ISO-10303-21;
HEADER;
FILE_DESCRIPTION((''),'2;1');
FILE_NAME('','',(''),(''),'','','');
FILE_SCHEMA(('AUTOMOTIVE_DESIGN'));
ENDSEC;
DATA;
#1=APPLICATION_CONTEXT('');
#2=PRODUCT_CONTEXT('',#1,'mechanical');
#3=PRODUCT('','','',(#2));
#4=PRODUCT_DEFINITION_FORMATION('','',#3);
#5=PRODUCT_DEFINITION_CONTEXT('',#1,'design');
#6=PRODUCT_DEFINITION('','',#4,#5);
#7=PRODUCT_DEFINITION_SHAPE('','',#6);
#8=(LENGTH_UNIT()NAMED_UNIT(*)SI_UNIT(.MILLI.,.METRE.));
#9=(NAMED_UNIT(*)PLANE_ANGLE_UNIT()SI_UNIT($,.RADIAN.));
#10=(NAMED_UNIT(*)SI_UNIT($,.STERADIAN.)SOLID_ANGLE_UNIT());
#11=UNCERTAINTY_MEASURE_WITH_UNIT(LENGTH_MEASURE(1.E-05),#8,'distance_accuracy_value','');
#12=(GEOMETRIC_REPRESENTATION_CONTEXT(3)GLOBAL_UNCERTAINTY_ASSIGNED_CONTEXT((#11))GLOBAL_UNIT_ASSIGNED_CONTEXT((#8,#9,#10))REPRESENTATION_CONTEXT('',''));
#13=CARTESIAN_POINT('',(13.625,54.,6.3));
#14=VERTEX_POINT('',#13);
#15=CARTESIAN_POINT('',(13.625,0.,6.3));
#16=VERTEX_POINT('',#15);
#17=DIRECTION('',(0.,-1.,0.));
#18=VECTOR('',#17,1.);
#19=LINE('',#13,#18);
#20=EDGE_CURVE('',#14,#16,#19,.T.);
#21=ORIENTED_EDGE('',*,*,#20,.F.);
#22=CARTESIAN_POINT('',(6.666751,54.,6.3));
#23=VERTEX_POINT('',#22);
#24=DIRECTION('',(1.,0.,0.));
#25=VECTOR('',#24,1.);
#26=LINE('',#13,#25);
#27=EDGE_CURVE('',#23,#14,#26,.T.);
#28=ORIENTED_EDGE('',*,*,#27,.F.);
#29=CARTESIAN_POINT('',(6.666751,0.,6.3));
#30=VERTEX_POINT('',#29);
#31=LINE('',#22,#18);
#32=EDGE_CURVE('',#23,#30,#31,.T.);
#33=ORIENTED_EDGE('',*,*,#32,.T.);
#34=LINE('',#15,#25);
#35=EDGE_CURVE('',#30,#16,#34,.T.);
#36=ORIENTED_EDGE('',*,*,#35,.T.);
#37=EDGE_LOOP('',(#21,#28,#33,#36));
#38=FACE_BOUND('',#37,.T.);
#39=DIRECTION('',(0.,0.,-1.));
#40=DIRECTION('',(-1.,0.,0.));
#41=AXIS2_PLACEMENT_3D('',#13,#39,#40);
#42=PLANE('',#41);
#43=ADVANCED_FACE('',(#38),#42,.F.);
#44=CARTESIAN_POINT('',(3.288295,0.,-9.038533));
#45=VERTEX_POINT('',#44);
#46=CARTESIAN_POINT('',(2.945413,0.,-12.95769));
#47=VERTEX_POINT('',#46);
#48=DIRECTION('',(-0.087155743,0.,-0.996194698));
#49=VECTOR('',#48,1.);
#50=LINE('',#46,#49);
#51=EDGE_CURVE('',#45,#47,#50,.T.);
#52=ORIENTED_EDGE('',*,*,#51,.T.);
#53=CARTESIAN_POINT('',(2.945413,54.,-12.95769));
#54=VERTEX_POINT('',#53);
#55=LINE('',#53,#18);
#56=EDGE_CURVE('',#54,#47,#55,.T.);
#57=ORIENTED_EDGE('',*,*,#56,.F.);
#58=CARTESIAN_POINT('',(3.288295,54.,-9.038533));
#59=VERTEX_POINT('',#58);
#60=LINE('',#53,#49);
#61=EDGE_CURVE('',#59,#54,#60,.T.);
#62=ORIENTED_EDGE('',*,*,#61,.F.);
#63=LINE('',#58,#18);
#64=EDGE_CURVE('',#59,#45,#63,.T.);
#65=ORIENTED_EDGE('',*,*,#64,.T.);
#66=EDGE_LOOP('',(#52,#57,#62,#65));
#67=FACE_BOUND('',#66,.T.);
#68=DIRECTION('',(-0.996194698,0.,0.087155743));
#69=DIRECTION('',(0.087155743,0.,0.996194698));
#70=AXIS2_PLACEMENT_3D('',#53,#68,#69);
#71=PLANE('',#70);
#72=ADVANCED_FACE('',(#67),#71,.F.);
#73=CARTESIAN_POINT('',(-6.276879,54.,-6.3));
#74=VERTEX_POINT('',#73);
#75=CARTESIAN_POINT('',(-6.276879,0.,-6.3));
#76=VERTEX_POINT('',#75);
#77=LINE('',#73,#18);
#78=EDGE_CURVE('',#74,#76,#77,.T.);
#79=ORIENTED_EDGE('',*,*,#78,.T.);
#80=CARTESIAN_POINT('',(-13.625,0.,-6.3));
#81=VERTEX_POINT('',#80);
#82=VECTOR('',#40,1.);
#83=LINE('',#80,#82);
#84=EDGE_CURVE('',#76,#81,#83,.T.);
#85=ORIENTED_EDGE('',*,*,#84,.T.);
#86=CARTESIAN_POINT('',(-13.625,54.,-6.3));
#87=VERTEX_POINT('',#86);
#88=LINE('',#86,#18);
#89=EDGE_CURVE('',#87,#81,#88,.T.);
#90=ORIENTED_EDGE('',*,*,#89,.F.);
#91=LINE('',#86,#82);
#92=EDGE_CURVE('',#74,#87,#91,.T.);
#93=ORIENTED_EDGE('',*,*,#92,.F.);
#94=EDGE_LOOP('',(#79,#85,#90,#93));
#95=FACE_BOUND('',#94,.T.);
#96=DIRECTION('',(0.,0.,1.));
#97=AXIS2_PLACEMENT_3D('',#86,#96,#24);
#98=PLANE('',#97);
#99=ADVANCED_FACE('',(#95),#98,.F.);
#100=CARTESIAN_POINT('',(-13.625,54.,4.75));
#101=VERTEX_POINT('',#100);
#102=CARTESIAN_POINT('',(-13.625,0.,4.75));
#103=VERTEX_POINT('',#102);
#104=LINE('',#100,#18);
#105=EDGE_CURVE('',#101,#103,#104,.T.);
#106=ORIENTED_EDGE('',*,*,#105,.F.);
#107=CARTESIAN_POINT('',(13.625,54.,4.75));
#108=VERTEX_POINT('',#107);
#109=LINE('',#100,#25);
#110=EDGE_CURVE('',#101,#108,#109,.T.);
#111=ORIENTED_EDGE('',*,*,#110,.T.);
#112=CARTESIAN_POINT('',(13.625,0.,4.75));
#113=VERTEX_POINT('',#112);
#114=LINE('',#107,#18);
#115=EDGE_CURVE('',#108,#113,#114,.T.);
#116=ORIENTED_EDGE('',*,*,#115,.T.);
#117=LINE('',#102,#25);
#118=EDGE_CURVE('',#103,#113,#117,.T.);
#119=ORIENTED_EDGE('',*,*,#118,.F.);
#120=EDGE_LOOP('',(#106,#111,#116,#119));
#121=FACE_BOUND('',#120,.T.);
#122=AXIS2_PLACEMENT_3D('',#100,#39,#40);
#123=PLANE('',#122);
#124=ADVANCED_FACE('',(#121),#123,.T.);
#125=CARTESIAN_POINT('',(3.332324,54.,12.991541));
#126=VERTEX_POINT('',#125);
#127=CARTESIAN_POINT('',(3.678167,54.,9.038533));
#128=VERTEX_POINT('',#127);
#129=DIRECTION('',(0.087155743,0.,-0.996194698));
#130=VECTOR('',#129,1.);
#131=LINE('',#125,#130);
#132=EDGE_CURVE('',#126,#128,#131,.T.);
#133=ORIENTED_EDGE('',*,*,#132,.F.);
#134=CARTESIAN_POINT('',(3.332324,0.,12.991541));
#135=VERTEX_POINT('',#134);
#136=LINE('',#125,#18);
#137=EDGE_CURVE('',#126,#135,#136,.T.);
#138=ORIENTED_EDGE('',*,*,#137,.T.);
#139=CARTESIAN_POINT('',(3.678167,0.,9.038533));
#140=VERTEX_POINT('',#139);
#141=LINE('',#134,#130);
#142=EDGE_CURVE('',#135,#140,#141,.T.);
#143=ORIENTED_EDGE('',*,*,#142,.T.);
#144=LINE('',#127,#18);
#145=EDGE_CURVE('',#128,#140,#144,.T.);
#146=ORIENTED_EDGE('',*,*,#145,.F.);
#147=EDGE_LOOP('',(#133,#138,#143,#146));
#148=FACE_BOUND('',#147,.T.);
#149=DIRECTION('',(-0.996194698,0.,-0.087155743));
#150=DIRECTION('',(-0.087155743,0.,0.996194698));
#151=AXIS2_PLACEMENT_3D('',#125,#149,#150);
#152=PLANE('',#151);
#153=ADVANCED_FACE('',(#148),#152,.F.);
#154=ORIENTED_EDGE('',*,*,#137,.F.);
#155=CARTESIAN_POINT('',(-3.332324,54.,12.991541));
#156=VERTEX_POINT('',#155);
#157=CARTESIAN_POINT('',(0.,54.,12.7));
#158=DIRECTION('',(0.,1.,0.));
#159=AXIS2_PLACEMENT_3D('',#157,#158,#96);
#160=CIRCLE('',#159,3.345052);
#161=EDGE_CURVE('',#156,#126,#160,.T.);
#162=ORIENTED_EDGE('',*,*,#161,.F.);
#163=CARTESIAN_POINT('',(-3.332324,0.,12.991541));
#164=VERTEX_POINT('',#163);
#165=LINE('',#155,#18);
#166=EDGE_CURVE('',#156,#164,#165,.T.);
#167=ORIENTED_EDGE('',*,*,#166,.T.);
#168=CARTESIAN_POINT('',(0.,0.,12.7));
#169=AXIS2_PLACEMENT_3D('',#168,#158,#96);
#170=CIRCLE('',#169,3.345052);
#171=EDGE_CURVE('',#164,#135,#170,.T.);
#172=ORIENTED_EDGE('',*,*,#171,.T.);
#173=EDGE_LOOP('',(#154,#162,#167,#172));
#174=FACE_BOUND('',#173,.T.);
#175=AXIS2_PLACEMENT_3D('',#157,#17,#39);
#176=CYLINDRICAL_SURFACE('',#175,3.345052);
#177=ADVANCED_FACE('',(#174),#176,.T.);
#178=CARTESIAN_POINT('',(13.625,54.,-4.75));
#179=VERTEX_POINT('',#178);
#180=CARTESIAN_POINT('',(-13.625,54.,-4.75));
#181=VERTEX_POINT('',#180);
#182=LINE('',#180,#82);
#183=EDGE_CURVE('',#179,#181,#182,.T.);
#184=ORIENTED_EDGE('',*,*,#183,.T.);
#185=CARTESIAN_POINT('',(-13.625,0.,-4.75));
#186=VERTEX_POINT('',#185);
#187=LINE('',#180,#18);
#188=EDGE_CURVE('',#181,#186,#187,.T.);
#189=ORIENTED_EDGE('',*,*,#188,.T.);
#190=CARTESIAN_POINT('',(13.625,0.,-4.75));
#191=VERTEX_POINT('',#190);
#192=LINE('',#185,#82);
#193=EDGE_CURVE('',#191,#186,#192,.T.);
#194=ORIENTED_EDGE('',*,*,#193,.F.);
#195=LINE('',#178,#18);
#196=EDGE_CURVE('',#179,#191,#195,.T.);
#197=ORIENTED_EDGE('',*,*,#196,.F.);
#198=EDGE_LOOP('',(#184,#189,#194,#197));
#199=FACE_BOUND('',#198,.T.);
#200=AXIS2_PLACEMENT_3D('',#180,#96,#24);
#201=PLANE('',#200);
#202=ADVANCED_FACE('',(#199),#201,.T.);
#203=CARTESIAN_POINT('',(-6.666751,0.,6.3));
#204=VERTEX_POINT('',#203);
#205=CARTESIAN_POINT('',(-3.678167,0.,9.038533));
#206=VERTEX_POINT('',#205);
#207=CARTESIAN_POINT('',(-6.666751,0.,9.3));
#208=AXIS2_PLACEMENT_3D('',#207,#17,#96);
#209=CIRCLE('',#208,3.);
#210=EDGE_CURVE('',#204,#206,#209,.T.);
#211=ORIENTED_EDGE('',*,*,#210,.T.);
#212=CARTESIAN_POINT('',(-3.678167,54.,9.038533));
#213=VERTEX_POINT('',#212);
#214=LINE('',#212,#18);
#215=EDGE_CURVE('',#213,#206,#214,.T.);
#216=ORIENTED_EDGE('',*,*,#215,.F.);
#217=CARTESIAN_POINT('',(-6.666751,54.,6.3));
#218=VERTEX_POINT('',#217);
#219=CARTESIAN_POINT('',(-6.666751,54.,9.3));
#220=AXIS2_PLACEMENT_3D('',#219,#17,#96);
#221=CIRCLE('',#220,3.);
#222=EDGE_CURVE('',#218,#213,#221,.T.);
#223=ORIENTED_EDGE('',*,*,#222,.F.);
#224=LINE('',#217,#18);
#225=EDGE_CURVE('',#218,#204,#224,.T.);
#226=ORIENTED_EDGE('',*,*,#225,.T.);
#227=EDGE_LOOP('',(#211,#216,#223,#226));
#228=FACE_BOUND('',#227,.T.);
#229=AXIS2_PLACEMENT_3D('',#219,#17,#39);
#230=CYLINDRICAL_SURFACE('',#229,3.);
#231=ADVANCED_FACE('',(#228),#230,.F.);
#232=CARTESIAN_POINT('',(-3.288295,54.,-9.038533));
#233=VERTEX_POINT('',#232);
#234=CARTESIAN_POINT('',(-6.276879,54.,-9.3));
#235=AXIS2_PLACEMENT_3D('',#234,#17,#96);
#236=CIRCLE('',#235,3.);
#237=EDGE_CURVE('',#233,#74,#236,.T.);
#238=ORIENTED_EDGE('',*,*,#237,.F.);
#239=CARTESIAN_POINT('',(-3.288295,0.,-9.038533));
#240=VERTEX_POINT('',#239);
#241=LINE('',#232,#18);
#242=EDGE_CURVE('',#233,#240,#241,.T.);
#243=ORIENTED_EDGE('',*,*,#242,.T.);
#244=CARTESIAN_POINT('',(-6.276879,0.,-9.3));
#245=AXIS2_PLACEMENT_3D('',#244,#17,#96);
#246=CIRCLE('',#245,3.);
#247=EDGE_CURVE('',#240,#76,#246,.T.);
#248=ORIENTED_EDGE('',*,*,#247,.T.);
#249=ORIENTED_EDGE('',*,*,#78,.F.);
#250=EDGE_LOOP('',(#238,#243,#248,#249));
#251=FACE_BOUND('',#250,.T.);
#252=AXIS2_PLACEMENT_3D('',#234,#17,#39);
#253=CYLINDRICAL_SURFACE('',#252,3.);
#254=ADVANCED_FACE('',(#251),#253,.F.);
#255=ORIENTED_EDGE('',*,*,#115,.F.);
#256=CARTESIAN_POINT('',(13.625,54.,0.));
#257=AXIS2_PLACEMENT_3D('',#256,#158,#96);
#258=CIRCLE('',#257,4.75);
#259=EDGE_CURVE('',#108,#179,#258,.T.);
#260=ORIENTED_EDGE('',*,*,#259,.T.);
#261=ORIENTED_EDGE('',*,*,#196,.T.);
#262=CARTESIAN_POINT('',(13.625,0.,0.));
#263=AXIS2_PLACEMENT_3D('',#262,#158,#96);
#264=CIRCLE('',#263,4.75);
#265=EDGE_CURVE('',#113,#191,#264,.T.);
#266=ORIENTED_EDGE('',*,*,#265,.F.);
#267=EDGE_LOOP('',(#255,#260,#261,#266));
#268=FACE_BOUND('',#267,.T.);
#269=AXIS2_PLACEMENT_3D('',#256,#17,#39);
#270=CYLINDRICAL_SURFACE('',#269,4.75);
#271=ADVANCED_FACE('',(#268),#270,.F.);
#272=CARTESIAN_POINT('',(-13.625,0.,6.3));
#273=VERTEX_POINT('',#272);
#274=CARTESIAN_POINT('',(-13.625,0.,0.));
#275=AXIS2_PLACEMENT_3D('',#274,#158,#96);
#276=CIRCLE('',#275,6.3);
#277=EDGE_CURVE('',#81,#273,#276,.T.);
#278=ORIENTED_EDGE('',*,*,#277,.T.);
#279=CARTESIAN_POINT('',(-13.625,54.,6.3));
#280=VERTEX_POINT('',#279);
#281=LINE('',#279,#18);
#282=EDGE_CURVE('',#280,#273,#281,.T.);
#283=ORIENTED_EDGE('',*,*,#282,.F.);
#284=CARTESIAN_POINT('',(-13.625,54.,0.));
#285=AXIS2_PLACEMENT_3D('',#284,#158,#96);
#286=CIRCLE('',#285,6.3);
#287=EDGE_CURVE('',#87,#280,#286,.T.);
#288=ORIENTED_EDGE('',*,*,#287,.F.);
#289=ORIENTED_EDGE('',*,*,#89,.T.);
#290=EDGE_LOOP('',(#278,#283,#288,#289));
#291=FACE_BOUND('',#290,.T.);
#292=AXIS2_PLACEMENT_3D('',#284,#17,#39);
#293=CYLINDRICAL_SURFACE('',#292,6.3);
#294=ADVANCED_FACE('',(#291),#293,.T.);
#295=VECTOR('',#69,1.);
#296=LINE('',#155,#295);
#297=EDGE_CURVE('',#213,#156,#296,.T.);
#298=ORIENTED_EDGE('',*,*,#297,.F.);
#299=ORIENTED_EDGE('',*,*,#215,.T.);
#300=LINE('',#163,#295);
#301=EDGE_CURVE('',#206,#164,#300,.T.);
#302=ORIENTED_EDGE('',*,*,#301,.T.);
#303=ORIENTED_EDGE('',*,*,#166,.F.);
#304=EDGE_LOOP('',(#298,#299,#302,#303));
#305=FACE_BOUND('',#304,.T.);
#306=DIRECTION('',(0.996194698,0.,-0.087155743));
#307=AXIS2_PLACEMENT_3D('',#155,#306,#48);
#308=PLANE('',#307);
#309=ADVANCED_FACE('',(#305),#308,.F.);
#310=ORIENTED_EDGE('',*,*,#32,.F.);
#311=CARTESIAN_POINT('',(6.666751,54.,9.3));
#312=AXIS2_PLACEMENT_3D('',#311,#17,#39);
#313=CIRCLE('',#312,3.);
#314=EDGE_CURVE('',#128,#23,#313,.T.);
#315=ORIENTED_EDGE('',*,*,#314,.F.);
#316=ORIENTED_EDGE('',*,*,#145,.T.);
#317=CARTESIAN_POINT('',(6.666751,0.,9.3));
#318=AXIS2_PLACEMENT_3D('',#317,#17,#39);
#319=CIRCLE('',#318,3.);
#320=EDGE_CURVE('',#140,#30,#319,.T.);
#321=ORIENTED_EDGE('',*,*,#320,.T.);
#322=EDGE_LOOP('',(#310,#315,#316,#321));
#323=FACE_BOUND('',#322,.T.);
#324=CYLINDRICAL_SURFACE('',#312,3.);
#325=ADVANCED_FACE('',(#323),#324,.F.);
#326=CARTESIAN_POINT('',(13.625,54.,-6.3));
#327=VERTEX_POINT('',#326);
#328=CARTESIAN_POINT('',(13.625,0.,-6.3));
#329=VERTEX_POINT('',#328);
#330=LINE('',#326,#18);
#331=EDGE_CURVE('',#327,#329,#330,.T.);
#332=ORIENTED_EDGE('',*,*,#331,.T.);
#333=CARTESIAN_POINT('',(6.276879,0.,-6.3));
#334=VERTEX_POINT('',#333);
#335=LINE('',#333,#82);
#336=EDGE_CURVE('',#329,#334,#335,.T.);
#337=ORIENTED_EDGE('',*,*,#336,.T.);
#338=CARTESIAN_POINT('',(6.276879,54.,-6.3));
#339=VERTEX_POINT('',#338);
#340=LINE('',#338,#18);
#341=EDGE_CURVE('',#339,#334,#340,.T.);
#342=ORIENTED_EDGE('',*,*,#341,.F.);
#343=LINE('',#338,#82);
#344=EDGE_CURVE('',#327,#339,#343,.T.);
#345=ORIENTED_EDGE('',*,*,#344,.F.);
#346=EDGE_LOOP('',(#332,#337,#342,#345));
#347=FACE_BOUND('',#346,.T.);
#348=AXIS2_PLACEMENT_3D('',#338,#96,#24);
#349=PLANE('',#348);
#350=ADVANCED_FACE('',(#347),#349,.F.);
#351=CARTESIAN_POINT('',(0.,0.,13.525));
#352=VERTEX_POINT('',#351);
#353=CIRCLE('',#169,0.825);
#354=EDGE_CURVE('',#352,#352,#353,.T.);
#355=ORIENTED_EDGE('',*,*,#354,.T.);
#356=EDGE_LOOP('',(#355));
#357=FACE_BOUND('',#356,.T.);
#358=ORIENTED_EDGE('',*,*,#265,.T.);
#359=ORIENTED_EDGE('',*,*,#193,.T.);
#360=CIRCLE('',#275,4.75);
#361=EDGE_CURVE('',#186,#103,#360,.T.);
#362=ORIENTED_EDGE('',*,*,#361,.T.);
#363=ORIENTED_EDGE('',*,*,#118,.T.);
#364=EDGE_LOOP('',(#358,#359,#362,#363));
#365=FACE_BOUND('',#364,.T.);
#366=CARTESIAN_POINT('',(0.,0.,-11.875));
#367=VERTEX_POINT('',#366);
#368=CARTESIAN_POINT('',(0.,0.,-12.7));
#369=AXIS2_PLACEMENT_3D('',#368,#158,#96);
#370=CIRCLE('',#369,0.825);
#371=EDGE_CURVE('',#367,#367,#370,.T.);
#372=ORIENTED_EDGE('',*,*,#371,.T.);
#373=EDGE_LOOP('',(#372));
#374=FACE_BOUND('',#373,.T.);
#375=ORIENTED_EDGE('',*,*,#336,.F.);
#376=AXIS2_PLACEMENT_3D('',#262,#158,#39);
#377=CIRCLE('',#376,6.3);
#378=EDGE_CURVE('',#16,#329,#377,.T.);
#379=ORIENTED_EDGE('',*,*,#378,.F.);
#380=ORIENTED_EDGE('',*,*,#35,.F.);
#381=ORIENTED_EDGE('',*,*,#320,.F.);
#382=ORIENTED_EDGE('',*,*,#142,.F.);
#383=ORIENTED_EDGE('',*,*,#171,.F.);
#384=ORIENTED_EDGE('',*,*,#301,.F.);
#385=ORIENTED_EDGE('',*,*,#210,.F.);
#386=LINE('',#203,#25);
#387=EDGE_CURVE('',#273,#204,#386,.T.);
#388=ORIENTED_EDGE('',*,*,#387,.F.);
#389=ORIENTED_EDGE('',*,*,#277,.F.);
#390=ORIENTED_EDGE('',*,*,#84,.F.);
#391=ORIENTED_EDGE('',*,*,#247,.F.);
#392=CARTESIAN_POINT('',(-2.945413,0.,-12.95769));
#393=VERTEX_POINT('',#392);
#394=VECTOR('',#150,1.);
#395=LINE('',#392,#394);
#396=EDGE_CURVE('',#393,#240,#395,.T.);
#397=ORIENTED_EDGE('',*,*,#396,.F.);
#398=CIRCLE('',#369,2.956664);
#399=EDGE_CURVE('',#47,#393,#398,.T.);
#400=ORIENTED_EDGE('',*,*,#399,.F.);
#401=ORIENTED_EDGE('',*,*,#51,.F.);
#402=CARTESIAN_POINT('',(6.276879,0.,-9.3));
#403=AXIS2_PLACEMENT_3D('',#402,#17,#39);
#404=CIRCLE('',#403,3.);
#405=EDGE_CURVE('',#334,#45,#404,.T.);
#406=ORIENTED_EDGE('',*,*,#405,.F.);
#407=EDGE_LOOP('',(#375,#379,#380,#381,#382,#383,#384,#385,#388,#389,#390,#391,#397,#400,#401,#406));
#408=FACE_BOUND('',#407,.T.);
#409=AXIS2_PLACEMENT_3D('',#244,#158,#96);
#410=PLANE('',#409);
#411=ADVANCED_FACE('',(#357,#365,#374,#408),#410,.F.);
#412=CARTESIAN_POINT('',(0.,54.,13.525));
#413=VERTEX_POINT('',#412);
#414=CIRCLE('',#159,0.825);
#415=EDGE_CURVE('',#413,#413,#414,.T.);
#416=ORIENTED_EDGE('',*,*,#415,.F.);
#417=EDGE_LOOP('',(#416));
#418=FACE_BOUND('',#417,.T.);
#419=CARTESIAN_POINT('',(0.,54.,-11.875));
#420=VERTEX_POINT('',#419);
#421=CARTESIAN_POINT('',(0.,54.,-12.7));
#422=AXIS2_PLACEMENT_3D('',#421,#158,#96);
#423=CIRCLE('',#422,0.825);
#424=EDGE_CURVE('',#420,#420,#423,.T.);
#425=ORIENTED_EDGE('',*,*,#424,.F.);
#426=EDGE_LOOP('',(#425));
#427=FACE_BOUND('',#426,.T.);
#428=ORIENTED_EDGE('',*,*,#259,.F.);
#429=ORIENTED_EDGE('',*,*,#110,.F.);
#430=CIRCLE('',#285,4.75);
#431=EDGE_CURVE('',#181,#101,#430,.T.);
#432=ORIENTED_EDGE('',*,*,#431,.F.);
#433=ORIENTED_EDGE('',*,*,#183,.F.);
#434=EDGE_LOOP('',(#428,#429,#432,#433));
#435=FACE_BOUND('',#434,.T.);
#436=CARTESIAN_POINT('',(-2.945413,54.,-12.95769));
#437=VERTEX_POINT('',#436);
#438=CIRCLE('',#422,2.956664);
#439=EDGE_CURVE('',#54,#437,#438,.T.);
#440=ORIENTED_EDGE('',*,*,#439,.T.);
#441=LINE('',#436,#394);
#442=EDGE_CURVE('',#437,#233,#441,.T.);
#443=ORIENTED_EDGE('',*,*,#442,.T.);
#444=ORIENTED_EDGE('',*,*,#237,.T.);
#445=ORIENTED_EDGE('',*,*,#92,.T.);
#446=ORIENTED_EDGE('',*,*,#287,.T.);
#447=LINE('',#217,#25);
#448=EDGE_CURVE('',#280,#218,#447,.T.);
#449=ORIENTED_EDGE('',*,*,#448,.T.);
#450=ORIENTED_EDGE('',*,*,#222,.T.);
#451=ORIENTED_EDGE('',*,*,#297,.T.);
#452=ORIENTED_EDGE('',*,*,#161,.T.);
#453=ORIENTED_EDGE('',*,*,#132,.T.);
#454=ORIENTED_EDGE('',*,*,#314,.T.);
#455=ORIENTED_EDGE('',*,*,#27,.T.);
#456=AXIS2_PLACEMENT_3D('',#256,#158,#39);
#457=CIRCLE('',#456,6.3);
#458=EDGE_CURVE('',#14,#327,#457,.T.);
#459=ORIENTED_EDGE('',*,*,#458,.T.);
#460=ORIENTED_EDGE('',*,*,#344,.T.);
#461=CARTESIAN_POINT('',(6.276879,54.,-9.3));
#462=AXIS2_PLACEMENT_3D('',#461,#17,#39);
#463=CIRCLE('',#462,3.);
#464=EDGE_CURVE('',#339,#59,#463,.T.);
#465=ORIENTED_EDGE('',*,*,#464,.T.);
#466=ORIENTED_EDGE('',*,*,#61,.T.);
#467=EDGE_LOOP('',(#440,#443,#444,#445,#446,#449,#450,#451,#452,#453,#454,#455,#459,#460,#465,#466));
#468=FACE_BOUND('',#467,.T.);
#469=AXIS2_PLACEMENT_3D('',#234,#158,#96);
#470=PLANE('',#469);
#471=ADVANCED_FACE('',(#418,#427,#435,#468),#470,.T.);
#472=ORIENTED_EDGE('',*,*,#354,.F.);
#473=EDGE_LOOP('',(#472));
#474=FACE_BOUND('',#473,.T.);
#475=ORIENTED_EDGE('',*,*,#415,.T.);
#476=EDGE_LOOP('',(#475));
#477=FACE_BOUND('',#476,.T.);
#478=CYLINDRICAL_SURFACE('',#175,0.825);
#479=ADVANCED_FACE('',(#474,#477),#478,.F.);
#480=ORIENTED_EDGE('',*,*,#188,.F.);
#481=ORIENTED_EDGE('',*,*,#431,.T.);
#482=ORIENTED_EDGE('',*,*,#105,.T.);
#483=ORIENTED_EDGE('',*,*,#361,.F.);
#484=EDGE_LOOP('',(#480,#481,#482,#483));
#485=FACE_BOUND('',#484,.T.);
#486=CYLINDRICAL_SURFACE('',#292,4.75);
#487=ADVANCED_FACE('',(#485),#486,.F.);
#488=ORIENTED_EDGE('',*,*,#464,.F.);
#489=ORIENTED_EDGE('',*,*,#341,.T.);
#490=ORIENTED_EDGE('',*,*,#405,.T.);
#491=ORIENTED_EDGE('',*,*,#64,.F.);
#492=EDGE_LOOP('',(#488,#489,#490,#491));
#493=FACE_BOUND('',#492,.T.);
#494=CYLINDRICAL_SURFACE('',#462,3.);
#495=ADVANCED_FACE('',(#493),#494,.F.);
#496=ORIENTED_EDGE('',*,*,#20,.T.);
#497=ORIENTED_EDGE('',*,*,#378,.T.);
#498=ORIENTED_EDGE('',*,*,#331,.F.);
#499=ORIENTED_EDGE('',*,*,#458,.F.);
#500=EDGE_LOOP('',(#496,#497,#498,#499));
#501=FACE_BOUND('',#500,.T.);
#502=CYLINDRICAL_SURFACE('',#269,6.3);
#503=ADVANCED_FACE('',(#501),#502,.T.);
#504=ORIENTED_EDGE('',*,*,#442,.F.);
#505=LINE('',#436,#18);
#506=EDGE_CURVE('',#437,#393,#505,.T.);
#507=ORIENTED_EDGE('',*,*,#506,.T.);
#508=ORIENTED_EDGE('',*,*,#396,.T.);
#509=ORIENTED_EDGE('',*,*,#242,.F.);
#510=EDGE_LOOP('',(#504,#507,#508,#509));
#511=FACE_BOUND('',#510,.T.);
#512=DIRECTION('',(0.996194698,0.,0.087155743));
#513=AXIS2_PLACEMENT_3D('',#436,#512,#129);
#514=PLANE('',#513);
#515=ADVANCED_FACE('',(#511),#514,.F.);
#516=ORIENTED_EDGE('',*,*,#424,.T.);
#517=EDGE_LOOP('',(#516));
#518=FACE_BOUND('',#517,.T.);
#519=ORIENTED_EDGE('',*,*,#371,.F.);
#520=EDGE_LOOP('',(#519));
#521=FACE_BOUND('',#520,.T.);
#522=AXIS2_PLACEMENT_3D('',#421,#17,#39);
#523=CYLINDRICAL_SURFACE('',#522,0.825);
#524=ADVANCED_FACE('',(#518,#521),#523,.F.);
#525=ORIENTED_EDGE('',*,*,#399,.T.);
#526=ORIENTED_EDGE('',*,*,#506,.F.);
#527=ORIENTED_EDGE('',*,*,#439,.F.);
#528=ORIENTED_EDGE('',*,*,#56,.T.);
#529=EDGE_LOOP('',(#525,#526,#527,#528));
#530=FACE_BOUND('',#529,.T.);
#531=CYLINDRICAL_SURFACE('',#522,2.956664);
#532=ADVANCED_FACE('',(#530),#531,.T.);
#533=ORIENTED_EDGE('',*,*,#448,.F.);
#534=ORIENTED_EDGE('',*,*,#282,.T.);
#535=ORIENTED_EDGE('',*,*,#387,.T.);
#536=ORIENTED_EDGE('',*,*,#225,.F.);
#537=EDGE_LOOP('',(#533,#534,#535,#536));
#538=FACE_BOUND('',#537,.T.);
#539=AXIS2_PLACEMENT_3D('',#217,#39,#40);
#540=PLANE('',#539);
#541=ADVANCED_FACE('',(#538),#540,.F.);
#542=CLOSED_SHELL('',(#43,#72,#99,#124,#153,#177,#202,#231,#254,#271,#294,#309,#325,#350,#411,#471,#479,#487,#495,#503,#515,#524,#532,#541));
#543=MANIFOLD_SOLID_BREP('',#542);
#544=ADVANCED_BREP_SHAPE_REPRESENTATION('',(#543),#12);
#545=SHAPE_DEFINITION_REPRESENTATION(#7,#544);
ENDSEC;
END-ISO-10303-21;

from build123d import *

# Parameters (mm, degrees)
SKETCH1_R      = 0.825
EXTRUDE1_DEPTH = 54


with BuildPart() as part:
    # Sketch1 → Extrude1 (new body)
    with BuildSketch(Plane(origin=(0, 0, 0), x_dir=(1, 0, 0), z_dir=(0, 1, 0))):
        with BuildLine():
            Line((-2.945413127, 12.957690258), (-3.288294978, 9.038532772))
            ThreePointArc((-3.288294978, 9.038532772), (-4.250108449, 7.08816799), (-6.276879072, 6.3))
            Line((-6.276879072, 6.3), (-13.625, 6.3))
            ThreePointArc((-13.625, 6.3), (-19.925, 0), (-13.625, -6.3))
            Line((-13.625, -6.3), (-6.666750968, -6.3))
            ThreePointArc((-6.666750968, -6.3), (-4.639980345, -7.08816799), (-3.678166874, -9.038532772))
            Line((-3.678166874, -9.038532772), (-3.332323508, -12.99154053))
            ThreePointArc((-3.332323508, -12.99154053), (0, -16.045052443), (3.332323508, -12.99154053))
            Line((3.332323508, -12.99154053), (3.678166874, -9.038532772))
            ThreePointArc((3.678166874, -9.038532772), (4.639980345, -7.08816799), (6.666750968, -6.3))
            Line((6.666750968, -6.3), (13.625, -6.3))
            ThreePointArc((13.625, -6.3), (19.925, 0), (13.625, 6.3))
            Line((13.625, 6.3), (6.276879072, 6.3))
            ThreePointArc((6.276879072, 6.3), (4.250108449, 7.08816799), (3.288294978, 9.038532772))
            Line((3.288294978, 9.038532772), (2.945413127, 12.957690258))
            ThreePointArc((2.945413127, 12.957690258), (0, 15.656664127), (-2.945413127, 12.957690258))
        make_face()
        with Locations((0, 12.7)):
            Circle(SKETCH1_R, mode=Mode.SUBTRACT)
        with Locations((0, -12.7)):
            Circle(SKETCH1_R, mode=Mode.SUBTRACT)
        with BuildLine():
            Line((-13.625, 4.75), (13.625, 4.75))
            ThreePointArc((13.625, 4.75), (18.375, 0), (13.625, -4.75))
            Line((13.625, -4.75), (-13.625, -4.75))
            ThreePointArc((-13.625, -4.75), (-18.375, 0), (-13.625, 4.75))
        make_face(mode=Mode.SUBTRACT)
    extrude(amount=EXTRUDE1_DEPTH)


solid = part.part
